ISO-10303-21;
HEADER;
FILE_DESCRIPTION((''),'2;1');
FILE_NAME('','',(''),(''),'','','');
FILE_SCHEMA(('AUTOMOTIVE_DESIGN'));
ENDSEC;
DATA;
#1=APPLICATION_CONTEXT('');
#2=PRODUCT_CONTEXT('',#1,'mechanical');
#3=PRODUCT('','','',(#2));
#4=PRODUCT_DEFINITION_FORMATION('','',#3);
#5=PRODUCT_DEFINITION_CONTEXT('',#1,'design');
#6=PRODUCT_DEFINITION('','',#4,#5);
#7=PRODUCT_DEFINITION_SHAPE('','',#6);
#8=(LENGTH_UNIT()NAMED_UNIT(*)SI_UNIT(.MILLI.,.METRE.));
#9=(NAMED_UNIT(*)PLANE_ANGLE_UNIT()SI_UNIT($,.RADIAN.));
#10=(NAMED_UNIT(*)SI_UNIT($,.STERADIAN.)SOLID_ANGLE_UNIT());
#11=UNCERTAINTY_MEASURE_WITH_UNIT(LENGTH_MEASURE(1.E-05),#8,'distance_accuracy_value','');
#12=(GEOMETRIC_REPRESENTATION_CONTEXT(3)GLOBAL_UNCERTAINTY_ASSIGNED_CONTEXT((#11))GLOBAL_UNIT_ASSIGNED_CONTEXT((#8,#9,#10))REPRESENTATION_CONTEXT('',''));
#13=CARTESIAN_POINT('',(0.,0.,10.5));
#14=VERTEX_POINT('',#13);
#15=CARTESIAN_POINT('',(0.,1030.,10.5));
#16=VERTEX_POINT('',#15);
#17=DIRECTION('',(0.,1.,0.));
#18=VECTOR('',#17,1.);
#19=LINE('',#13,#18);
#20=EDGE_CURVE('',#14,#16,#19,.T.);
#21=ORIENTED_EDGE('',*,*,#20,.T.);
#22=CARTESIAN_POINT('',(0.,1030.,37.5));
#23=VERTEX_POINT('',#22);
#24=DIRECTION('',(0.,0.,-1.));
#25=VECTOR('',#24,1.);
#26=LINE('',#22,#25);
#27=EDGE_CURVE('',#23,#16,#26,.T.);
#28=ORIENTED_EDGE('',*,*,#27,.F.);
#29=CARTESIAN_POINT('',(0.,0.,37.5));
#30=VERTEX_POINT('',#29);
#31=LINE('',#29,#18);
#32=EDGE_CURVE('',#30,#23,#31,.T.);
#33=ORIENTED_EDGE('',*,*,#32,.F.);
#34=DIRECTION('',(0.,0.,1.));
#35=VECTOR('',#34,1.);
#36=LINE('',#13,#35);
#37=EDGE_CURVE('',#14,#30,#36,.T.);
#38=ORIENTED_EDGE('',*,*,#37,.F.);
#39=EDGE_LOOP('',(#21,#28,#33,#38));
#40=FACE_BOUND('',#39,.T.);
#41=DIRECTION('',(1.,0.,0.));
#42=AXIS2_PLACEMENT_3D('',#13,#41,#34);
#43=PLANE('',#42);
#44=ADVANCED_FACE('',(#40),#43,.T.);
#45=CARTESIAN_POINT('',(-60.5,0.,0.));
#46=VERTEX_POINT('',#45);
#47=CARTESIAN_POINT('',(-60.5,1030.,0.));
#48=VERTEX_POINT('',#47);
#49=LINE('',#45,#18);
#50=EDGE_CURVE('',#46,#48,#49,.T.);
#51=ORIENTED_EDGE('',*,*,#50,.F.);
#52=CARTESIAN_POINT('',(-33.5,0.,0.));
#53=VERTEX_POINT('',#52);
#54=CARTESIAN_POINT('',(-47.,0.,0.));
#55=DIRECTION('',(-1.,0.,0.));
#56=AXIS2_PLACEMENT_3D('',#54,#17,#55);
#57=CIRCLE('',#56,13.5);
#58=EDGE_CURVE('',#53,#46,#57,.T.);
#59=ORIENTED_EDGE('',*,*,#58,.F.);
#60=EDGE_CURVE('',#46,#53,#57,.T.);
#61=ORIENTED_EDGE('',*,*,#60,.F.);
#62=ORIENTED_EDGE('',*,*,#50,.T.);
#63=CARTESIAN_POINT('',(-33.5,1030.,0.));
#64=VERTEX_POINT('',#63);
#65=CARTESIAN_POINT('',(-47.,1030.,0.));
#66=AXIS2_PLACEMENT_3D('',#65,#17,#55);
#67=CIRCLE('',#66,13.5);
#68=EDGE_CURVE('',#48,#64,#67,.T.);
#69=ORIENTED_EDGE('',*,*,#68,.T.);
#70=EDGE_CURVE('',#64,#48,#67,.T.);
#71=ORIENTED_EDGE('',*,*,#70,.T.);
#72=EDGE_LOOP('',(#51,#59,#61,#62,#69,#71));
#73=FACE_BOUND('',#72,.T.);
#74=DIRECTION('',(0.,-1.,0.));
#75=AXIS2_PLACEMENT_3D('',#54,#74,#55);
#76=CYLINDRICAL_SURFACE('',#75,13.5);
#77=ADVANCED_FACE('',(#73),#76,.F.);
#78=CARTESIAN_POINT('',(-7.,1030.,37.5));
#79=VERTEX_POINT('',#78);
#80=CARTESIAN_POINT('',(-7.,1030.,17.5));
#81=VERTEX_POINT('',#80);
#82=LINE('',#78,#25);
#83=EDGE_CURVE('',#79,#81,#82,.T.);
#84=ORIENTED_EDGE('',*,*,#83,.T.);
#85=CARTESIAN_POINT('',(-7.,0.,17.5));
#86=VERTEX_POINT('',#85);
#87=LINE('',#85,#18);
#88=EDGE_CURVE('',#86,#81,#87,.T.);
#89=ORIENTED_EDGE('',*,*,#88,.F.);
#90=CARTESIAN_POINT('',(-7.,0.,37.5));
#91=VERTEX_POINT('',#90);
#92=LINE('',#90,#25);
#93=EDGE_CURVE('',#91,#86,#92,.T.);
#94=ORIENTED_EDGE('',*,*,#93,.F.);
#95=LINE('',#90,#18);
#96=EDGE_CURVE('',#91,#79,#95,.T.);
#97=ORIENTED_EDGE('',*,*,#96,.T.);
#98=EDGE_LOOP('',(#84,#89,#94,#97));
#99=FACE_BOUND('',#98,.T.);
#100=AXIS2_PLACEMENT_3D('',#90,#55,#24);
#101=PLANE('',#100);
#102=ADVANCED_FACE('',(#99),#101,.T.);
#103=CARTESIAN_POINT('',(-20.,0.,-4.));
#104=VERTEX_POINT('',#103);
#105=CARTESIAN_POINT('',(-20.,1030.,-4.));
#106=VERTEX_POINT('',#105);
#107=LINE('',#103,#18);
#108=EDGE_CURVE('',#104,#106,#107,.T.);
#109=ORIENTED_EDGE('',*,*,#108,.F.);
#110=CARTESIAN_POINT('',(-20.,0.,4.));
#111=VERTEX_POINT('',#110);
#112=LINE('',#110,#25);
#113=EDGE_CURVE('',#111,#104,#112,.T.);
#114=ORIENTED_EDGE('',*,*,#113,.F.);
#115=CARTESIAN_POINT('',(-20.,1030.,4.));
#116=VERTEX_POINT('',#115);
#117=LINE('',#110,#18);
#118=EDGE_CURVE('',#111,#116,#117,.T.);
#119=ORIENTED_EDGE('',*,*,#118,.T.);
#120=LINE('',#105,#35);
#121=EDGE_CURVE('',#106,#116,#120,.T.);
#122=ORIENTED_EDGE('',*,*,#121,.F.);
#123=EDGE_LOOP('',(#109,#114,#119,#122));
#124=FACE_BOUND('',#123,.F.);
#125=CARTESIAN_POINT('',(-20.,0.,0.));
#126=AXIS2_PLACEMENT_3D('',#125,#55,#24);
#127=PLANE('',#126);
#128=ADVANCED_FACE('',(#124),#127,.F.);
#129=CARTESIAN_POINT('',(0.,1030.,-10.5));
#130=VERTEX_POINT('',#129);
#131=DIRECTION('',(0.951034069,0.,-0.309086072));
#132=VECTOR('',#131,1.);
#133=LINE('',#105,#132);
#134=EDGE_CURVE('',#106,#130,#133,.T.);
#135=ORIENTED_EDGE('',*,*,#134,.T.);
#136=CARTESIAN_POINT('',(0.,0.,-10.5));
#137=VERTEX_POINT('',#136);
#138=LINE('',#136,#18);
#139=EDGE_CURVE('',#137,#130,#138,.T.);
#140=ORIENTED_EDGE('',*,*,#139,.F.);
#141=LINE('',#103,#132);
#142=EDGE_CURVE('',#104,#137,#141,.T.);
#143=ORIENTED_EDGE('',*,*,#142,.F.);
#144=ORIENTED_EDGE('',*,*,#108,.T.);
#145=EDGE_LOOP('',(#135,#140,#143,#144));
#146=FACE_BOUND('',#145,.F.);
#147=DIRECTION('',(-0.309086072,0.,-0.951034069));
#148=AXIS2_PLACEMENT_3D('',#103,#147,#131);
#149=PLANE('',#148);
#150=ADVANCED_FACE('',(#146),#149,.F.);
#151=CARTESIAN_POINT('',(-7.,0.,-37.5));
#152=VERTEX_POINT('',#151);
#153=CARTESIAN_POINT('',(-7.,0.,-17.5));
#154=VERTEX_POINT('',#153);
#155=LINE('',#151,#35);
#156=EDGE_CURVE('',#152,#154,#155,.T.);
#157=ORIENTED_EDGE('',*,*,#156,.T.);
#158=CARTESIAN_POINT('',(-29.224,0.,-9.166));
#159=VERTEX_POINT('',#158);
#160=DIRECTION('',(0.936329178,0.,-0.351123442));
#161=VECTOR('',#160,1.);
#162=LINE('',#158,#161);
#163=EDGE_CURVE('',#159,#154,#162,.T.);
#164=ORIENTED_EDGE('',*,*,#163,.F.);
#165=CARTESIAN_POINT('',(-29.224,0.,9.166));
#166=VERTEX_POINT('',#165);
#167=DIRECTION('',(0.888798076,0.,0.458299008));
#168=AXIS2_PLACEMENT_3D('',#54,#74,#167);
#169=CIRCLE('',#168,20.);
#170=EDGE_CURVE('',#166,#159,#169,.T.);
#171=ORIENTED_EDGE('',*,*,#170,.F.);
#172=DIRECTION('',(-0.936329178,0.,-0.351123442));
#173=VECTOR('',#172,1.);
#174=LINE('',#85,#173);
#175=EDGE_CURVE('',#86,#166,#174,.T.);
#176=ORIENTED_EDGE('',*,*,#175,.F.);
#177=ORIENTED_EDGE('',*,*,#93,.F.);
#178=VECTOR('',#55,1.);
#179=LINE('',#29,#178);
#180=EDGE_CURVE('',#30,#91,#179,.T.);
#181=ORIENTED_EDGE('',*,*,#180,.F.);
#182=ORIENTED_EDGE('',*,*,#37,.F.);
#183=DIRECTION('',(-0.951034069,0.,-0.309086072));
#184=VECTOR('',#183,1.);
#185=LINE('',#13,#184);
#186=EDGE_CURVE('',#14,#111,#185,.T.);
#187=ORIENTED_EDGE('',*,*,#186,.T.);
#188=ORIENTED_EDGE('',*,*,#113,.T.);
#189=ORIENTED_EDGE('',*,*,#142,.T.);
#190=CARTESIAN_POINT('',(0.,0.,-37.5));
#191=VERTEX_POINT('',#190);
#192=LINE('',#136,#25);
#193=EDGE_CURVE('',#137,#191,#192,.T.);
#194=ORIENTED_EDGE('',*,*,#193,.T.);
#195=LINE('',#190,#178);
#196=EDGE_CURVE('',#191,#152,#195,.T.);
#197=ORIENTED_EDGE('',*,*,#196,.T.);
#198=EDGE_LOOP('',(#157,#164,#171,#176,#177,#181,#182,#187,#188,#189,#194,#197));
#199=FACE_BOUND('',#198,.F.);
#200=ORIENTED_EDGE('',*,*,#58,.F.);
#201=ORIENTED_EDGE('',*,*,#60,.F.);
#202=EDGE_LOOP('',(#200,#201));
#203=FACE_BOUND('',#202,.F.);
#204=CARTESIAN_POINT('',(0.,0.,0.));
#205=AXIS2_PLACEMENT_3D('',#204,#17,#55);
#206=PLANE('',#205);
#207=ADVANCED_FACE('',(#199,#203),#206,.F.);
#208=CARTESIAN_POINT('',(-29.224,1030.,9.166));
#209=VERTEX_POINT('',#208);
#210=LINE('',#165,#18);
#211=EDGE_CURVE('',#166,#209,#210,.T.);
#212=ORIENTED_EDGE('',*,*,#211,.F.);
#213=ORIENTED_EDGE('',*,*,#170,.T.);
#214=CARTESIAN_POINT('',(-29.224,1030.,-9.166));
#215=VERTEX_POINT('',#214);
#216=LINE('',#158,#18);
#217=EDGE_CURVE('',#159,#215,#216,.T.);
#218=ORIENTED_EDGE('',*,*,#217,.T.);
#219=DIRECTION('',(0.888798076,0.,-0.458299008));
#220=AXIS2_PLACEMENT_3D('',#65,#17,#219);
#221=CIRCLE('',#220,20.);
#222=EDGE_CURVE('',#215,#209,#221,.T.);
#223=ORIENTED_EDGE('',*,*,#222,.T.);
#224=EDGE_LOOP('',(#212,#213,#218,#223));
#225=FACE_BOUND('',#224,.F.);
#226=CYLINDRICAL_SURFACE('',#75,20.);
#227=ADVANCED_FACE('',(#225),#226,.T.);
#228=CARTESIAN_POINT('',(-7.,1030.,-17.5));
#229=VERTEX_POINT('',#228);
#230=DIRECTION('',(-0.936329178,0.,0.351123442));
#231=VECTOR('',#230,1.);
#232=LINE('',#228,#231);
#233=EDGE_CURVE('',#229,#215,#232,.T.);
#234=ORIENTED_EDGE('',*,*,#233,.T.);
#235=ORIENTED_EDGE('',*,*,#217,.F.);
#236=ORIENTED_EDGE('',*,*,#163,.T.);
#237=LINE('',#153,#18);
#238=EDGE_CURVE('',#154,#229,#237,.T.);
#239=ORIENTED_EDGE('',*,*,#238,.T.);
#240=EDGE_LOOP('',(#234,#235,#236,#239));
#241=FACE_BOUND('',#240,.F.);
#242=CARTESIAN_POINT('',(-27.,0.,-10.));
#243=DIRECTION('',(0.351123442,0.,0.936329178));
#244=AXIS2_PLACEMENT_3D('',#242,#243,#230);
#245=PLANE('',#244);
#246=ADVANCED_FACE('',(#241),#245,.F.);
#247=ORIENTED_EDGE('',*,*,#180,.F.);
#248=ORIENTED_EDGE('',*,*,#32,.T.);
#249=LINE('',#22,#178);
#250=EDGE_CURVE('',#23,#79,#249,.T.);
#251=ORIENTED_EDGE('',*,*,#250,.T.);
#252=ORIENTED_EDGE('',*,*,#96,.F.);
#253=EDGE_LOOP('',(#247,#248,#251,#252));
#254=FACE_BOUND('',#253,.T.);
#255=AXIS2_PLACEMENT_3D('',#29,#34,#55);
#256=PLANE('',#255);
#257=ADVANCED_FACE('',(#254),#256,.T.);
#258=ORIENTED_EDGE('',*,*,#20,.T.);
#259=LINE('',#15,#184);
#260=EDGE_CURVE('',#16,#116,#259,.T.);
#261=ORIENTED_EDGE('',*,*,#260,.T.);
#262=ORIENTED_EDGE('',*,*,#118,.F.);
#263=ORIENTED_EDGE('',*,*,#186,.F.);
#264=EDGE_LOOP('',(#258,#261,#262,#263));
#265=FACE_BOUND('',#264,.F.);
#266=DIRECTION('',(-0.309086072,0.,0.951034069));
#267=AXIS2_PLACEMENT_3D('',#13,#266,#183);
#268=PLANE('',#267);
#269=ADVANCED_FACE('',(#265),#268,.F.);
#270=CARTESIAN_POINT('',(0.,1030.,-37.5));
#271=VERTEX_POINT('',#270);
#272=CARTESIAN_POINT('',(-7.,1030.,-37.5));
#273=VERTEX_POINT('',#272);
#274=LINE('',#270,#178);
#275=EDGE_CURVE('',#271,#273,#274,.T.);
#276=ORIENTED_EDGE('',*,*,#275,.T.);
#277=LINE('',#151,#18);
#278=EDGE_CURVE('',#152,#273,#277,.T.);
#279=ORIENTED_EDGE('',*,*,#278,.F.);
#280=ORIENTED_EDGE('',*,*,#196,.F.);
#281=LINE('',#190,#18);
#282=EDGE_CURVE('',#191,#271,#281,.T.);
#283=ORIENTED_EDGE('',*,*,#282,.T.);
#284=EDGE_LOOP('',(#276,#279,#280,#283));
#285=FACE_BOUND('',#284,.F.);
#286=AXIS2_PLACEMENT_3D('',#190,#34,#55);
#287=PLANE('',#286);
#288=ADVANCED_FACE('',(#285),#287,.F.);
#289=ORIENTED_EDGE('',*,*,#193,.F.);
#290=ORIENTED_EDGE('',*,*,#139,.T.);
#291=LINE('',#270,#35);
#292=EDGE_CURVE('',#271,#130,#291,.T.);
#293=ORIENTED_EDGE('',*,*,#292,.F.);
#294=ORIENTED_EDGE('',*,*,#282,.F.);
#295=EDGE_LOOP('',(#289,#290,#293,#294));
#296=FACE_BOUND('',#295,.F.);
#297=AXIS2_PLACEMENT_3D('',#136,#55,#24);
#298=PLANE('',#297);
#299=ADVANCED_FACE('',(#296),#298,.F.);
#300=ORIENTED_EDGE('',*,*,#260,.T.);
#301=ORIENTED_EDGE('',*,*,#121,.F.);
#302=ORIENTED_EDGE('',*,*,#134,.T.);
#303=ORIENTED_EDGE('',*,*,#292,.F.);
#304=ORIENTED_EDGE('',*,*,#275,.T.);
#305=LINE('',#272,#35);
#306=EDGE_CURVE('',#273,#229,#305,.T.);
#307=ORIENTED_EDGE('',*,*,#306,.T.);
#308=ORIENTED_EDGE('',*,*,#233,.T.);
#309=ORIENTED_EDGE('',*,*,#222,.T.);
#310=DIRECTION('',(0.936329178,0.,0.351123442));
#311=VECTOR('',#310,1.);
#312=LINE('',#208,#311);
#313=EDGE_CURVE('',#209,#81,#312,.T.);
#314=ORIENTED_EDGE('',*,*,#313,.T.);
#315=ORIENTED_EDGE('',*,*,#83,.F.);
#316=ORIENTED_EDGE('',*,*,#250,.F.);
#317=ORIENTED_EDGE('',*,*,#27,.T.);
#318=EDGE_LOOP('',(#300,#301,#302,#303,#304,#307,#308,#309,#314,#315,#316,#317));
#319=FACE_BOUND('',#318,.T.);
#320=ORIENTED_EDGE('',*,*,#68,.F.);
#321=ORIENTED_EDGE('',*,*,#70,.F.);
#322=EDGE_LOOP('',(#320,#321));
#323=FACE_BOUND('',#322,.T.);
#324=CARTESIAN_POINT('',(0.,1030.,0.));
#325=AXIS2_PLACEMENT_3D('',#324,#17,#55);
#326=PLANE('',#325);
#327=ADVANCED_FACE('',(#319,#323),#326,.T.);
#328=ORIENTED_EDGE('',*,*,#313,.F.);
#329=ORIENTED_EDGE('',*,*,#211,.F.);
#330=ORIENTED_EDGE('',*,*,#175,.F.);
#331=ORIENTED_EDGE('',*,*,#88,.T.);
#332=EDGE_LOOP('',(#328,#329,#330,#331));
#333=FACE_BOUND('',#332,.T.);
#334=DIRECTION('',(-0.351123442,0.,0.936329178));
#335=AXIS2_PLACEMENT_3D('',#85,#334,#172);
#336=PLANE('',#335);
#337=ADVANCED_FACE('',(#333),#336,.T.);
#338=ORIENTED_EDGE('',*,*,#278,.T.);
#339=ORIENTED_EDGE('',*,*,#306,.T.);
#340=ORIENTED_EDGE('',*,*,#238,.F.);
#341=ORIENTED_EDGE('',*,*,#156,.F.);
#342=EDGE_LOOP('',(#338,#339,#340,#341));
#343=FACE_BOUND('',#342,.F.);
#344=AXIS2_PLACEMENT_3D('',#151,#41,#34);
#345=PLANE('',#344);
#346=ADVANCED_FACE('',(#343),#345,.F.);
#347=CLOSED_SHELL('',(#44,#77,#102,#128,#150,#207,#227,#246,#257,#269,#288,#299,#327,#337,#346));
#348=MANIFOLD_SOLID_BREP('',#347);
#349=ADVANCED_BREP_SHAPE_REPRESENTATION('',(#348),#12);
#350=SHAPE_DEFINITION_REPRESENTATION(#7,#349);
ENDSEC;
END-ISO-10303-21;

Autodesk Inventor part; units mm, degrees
ref_plane "YZ Plane" through (0, 0, 0) normal (1, 0, 0) x (0, 1, 0)
ref_plane "XZ Plane" through (0, 0, 0) normal (0, 1, 0) x (-1, 0, 0)
ref_plane "XY Plane" through (0, 0, 0) normal (0, 0, 1) x (1, 0, 0)
sketch "Sketch1" plane through (0, 0, 0) normal (0, 1, 0) x (-1, 0, 0)
  line L0 (0, 0) -> (0, -37.5)
  line L1 (0, 0) -> (0, 37.5)
  line L2 (0, 37.5) -> (7, 37.5)
  line L3 (7, 37.5) -> (7, 17.5)
  line L4 (0, -37.5) -> (7, -37.5)
  line L5 (7, -37.5) -> (7, -17.5)
  line L6 (7, 0) -> (27, 0) construction
  line L7 (27, -10) -> (7, -17.5)
  line L8 (7, 17.5) -> (27, 10)
  line L9 (27, 0) -> (47, 0)
  circle A0 centre (47, 0) radius 20
  circle A1 centre (47, 0) radius 13.5
  line L10 (27, 10) -> (29.224, 9.166)
  line L11 (27, -10) -> (29.224, -9.166)
  line L12 (0, 17.5) -> (0, 10.5)
  line L13 (20, 0) -> (20, 4)
  line L14 (0, 10.5) -> (20, 4)
  line L15 (0, -17.5) -> (0, -10.5)
  line L16 (20, 0) -> (20, -4)
  line L17 (20, -4) -> (0, -10.5)
  dimension "d0" = 37.5
  dimension "d1" = 37.5
  dimension "d2" = 7
  dimension "d3" = 20
  dimension "d4" = 20
  dimension "d11" = 27
  dimension "d12" = 7
  dimension "d14" = 4
  dimension "d16" = 7
  dimension "d18" = 4
extrude "Extrusion1" add sketch "Sketch1" along normal blind 1030 contours L17 L16 L13 L14 L1 L2 L3 L8 L10 A0 L11 L7 L5 L4 L0 | A0
sketch "Sketch2" plane through (0, 1030, 0) normal (0, 1, 0) x (1, 0, 0)
  point P0 (0, 0)
properties part number "linear_drive_new"
